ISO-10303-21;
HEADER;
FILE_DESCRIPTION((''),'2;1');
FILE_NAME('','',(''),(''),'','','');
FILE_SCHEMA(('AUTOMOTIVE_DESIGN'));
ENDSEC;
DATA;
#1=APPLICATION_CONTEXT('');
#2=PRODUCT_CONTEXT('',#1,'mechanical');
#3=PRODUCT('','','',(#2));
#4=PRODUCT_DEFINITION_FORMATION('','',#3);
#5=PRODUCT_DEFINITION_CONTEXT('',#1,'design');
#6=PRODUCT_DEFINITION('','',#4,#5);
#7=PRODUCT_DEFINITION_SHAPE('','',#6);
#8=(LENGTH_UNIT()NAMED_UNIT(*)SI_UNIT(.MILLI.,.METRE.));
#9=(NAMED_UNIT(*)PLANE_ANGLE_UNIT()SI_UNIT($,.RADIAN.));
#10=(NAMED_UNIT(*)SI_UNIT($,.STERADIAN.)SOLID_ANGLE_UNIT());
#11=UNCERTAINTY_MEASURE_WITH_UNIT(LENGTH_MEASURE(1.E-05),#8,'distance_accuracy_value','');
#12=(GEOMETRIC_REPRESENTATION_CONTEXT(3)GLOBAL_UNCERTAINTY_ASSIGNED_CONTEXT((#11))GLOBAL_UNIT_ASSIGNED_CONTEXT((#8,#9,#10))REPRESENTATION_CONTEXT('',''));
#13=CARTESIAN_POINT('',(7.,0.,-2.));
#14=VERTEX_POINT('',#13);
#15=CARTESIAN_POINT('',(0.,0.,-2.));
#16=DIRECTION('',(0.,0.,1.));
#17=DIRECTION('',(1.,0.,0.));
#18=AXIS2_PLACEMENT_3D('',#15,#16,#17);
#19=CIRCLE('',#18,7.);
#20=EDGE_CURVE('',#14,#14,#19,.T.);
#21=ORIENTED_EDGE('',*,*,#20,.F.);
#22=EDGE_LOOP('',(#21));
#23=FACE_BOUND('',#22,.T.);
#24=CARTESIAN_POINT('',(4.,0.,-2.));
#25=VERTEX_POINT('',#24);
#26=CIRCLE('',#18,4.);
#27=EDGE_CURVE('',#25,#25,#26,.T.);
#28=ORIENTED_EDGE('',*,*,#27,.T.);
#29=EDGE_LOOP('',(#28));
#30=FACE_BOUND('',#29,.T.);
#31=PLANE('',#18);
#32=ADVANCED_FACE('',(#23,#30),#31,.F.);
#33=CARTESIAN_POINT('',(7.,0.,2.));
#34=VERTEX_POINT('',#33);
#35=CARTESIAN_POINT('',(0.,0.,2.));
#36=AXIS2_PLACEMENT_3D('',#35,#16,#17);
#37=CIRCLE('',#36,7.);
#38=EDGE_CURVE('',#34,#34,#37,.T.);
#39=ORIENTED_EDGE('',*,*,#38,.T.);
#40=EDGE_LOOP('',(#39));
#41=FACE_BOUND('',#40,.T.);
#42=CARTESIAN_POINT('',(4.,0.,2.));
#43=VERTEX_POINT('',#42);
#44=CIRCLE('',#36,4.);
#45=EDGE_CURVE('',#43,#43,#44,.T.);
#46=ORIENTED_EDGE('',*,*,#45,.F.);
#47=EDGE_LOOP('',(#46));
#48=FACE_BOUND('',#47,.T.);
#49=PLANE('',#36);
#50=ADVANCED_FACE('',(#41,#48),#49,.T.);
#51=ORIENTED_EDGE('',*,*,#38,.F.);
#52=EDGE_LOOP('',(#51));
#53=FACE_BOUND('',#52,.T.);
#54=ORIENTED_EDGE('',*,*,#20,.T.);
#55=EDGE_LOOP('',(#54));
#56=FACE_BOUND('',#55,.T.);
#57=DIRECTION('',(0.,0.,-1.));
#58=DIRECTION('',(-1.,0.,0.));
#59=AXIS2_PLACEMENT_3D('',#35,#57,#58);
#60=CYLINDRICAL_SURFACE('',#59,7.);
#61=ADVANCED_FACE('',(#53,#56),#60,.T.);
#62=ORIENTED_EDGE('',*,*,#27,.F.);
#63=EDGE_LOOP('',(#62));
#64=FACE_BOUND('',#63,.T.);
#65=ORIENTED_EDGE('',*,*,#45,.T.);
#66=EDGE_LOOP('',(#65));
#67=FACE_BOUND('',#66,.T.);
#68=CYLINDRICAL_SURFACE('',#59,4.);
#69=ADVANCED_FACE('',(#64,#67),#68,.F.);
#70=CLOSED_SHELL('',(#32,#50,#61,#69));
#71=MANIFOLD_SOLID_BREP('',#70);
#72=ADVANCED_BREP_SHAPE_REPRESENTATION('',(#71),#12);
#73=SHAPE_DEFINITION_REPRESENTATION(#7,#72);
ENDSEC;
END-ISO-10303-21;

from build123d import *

# Parameters (mm, degrees)
SKETCH_1_R      = 7
SKETCH_1_R_2    = 4
EXTRUDE_1_DEPTH = 2


with BuildPart() as part:
    # 草图1 → 凸台-拉伸1 (new body, symmetric)
    with BuildSketch(Plane.XY):
        Circle(SKETCH_1_R)
        Circle(SKETCH_1_R_2, mode=Mode.SUBTRACT)
    extrude(amount=EXTRUDE_1_DEPTH, both=True)


solid = part.part
